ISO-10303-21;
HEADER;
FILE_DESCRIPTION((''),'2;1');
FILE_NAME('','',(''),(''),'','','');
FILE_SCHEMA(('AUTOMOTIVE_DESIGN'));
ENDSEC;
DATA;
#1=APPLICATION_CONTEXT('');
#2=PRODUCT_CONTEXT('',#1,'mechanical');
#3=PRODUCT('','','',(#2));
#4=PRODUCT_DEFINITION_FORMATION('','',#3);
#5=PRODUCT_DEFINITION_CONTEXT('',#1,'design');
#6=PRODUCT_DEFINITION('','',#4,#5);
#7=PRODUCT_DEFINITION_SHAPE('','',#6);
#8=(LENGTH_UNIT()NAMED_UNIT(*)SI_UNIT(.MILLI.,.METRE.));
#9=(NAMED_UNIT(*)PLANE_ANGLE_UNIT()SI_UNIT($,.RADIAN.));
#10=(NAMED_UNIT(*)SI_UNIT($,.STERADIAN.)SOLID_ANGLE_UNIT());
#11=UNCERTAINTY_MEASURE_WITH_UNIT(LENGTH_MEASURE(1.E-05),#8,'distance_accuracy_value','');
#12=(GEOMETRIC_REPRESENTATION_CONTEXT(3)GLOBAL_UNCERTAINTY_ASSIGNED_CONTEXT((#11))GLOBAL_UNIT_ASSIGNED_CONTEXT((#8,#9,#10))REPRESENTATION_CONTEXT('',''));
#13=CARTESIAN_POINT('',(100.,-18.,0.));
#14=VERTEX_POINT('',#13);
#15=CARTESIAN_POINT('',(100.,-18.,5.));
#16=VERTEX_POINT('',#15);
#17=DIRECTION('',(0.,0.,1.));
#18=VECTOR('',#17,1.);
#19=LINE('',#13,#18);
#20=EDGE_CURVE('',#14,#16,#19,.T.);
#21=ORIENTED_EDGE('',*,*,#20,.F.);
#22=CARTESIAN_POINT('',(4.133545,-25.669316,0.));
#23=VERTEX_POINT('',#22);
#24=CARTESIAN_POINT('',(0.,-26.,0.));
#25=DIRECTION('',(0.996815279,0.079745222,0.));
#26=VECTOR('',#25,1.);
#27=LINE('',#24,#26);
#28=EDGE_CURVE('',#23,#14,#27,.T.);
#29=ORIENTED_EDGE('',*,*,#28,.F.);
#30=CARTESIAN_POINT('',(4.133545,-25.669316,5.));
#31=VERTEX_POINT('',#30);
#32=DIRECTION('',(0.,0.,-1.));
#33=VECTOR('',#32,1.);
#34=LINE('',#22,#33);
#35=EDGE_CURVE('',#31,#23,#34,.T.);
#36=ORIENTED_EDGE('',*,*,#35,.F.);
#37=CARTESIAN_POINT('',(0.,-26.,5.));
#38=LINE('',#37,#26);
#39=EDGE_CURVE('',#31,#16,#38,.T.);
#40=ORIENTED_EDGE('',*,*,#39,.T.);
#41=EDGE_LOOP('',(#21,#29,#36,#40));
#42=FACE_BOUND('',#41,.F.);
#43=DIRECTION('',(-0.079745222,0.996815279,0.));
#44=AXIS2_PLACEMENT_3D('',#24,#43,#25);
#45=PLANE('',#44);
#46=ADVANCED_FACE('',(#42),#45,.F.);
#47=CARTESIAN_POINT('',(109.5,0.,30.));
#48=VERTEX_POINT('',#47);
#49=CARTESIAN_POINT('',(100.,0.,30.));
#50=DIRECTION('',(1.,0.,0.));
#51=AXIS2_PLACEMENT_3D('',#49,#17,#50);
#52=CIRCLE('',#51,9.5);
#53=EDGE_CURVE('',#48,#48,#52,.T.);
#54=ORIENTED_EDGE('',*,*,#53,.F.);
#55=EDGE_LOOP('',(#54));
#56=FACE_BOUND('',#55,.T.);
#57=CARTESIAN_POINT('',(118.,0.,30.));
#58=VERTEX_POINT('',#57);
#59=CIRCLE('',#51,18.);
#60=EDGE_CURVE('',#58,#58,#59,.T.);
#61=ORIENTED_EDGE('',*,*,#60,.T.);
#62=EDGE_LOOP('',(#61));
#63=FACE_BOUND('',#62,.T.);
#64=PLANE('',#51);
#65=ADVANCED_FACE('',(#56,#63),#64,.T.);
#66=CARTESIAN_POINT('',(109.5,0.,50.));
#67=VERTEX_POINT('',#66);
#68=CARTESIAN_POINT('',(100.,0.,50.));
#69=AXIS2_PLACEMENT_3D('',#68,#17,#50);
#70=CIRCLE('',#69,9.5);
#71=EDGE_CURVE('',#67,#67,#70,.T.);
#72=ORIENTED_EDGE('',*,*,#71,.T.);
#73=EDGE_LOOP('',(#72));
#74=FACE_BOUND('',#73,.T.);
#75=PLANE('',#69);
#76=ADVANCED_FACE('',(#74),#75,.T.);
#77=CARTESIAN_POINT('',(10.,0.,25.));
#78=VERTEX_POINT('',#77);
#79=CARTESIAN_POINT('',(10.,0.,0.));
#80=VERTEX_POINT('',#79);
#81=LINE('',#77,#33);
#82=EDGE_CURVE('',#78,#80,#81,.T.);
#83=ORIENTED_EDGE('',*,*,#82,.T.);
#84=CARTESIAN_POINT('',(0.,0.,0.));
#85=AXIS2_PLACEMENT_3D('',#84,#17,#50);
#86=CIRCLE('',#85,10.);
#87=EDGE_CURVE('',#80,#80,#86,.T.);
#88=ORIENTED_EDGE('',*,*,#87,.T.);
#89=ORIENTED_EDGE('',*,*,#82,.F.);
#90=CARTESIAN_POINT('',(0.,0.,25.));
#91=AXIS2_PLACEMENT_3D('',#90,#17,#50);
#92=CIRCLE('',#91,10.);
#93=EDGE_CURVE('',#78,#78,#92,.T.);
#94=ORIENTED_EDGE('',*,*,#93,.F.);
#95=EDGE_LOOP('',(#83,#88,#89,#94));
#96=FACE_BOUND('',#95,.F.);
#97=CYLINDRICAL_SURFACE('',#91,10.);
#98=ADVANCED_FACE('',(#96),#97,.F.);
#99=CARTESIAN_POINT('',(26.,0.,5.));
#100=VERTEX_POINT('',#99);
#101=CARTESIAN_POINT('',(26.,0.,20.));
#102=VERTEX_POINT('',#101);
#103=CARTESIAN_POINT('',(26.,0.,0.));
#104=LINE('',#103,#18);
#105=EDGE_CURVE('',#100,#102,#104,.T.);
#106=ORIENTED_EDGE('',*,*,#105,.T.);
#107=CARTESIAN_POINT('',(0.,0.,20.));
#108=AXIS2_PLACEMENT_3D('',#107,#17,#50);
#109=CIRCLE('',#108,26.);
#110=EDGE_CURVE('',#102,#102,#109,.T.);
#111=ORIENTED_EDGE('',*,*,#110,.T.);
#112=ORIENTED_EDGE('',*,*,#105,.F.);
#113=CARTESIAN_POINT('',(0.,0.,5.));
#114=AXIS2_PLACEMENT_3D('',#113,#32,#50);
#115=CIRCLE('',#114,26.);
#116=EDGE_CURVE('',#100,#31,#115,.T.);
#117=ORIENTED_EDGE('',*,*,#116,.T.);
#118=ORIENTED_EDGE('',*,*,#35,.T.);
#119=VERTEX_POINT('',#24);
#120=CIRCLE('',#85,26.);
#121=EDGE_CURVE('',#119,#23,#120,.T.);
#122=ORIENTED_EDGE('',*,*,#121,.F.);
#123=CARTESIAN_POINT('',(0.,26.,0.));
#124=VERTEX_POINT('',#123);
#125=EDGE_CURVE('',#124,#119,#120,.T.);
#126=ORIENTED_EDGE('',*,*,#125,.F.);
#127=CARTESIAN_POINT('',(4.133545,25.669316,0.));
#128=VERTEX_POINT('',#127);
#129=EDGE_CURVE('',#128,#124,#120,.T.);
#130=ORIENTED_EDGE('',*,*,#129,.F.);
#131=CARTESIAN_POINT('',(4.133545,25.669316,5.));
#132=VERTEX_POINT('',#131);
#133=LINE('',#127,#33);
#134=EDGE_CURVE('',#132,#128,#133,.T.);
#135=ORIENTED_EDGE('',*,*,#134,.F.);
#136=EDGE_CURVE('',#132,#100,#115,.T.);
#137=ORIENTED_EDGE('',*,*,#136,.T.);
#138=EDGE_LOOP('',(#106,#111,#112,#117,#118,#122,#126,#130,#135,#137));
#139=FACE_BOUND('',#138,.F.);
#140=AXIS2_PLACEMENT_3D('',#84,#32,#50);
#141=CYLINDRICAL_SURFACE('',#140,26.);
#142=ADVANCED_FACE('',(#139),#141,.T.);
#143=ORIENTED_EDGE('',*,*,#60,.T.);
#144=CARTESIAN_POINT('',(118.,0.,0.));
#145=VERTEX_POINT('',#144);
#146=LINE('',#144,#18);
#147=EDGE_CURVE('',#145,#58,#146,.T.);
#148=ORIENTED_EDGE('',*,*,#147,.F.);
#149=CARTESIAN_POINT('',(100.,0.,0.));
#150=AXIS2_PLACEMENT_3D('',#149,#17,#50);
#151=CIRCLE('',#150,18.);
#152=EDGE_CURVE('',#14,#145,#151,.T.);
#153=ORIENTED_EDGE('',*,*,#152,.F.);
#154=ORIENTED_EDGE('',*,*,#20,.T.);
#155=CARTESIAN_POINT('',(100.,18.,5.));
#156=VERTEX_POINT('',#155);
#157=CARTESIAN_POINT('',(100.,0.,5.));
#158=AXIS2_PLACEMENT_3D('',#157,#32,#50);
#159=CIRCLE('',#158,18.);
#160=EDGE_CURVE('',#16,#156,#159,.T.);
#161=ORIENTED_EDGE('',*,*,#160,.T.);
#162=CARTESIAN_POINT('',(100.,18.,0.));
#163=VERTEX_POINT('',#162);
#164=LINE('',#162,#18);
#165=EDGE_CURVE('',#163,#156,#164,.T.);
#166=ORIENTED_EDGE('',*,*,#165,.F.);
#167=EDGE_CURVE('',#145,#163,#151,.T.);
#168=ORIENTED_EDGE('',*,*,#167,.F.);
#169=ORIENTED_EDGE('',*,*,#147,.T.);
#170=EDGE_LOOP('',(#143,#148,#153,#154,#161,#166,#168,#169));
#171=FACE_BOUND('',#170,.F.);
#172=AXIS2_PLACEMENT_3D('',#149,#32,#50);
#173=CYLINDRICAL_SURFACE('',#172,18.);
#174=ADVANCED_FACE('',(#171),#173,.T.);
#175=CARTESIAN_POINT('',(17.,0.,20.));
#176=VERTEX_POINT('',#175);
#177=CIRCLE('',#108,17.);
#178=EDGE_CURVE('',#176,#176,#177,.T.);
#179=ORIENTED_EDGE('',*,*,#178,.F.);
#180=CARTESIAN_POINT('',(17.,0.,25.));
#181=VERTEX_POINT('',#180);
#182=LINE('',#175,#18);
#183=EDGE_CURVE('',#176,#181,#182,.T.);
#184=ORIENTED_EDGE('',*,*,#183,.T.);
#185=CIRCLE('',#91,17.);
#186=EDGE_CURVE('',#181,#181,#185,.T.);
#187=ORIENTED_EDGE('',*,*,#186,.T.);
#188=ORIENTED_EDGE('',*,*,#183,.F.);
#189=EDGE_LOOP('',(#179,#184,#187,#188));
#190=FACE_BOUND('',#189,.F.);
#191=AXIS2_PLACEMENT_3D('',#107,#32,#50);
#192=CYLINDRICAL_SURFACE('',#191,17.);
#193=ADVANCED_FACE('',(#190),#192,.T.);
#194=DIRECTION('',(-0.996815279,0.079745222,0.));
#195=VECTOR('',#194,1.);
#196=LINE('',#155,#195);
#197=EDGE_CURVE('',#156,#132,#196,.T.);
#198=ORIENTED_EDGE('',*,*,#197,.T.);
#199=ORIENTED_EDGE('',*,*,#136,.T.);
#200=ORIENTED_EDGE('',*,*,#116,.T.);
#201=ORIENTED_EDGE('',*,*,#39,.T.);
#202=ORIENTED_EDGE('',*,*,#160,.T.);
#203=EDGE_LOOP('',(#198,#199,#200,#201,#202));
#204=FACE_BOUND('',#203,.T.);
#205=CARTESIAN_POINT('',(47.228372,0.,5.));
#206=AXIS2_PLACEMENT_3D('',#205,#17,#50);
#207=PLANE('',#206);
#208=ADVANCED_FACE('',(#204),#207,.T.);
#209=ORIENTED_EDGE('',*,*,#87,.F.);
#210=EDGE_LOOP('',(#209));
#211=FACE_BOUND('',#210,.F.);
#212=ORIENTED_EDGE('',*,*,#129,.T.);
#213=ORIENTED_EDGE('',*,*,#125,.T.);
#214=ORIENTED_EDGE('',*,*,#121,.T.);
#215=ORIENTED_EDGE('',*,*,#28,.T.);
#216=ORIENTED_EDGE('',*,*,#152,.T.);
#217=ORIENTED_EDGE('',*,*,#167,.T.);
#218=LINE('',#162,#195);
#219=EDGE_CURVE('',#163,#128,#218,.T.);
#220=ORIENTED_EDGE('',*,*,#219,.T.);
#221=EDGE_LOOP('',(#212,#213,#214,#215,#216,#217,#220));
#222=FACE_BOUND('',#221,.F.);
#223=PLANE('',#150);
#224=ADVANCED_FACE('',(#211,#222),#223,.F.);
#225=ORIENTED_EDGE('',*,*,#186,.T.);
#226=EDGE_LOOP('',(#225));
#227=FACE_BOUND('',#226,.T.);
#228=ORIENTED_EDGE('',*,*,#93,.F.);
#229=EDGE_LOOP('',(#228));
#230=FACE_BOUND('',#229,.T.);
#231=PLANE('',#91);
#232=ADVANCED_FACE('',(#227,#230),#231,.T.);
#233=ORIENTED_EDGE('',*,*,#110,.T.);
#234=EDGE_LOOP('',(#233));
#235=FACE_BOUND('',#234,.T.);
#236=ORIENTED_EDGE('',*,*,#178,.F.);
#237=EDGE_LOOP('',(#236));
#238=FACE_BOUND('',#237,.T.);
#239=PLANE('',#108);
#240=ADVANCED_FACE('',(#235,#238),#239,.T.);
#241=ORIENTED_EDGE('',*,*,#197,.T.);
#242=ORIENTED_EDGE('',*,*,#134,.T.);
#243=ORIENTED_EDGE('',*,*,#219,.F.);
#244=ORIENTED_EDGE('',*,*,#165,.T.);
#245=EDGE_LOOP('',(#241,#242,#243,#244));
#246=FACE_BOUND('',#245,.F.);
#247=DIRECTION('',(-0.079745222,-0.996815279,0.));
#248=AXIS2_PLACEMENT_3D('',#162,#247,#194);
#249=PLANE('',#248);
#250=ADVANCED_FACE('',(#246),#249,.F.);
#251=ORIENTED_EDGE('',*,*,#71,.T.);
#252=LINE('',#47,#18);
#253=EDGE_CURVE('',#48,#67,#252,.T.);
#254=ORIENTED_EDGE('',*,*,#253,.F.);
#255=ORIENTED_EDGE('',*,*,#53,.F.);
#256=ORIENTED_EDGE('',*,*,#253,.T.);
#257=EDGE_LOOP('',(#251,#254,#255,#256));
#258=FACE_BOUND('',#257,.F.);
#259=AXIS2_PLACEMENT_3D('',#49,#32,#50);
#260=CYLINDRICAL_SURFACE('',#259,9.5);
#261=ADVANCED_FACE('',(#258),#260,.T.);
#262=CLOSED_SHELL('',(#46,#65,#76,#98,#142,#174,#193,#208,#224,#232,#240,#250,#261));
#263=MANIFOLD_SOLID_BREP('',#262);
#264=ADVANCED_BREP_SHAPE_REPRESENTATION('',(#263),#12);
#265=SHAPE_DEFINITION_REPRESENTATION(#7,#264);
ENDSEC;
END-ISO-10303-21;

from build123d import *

# Parameters (mm, degrees)
F0_R      = 26
F3_DEPTH  = 20
F4_DEPTH  = 5
F2_R      = 18
F5_DEPTH  = 30
F6_R      = 17
F8_DEPTH  = 5
F7_R      = 9.5
F9_DEPTH  = 20
F10_R     = 10
F11_DEPTH = 25


with BuildPart() as f3:
    # F0 (on Top) → F3 (new body)
    with BuildSketch(Plane.XY):
        Circle(F0_R)
    extrude(amount=F3_DEPTH)

    # F1 (on Top) → F4 (join)
    with BuildSketch(Plane.XY):
        Polygon((100, 18), (0, 26), (0, -26), (100, -18), align=None)
    extrude(amount=F4_DEPTH)

    # F2 (on Top) → F5 (join)
    with BuildSketch(Plane.XY):
        with Locations((100, 0)):
            Circle(F2_R)
    extrude(amount=F5_DEPTH)

    # F6 (on face) → F8 (join)
    with BuildSketch(Plane.XY.offset(20)):
        Circle(F6_R)
    extrude(amount=F8_DEPTH)

    # F7 (on face) → F9 (join)
    with BuildSketch(Plane.XY.offset(30)):
        with Locations((100, 0)):
            Circle(F7_R)
    extrude(amount=F9_DEPTH)

    # F10 (on face) → F11 (cut, through all)
    with BuildSketch(Plane.XY.offset(25)):
        Circle(F10_R)
    extrude(amount=-F11_DEPTH, mode=Mode.SUBTRACT)


solid = f3.part
